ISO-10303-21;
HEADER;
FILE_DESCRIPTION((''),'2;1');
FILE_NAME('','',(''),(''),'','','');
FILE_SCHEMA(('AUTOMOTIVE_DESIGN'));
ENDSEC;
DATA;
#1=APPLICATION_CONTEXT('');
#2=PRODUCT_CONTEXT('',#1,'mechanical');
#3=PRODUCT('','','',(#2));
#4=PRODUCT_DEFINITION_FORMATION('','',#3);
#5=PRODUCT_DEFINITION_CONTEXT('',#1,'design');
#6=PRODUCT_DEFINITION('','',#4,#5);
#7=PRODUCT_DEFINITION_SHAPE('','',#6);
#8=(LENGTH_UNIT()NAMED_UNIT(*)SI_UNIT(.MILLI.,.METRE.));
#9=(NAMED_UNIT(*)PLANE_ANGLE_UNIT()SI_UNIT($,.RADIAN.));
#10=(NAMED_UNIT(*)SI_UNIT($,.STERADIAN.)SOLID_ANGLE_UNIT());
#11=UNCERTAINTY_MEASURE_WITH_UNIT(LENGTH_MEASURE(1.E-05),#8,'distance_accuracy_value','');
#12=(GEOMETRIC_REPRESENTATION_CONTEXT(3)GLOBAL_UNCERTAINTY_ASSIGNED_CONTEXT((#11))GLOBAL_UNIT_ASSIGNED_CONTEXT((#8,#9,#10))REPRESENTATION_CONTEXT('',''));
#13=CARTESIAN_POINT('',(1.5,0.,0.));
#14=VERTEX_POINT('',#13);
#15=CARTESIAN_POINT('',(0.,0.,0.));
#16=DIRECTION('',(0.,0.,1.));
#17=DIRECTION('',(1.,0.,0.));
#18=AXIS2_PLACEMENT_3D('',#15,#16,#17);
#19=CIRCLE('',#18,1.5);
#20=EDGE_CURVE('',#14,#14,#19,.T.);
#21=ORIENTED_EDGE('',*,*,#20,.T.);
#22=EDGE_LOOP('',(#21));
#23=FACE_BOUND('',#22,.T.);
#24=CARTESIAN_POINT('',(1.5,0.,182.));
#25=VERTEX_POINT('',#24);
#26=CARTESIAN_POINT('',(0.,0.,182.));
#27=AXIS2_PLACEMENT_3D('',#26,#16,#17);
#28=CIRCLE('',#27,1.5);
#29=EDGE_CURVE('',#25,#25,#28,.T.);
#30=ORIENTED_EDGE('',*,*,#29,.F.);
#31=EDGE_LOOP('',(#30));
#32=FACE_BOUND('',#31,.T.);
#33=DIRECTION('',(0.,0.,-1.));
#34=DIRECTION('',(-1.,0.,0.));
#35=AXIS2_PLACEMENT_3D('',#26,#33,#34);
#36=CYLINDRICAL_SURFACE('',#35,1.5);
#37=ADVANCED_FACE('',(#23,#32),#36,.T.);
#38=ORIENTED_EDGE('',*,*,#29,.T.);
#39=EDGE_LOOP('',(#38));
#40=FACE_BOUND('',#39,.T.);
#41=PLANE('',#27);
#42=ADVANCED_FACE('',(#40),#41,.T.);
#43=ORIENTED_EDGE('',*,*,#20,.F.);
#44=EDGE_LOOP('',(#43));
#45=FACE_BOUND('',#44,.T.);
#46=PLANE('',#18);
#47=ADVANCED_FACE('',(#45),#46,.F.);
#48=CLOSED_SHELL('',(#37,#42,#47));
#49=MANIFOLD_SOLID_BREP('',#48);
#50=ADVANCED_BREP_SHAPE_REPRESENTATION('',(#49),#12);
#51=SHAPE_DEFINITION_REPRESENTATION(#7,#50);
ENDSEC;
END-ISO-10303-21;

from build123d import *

# Parameters (mm, degrees)
SCHIZZO1_R                   = 1.5
ESTRUSIONE_ESTRUSIONE1_DEPTH = 182


with BuildPart() as part:
    # Schizzo1 → Estrusione-Estrusione1 (new body)
    with BuildSketch(Plane.XY):
        Circle(SCHIZZO1_R)
    extrude(amount=ESTRUSIONE_ESTRUSIONE1_DEPTH)


solid = part.part
